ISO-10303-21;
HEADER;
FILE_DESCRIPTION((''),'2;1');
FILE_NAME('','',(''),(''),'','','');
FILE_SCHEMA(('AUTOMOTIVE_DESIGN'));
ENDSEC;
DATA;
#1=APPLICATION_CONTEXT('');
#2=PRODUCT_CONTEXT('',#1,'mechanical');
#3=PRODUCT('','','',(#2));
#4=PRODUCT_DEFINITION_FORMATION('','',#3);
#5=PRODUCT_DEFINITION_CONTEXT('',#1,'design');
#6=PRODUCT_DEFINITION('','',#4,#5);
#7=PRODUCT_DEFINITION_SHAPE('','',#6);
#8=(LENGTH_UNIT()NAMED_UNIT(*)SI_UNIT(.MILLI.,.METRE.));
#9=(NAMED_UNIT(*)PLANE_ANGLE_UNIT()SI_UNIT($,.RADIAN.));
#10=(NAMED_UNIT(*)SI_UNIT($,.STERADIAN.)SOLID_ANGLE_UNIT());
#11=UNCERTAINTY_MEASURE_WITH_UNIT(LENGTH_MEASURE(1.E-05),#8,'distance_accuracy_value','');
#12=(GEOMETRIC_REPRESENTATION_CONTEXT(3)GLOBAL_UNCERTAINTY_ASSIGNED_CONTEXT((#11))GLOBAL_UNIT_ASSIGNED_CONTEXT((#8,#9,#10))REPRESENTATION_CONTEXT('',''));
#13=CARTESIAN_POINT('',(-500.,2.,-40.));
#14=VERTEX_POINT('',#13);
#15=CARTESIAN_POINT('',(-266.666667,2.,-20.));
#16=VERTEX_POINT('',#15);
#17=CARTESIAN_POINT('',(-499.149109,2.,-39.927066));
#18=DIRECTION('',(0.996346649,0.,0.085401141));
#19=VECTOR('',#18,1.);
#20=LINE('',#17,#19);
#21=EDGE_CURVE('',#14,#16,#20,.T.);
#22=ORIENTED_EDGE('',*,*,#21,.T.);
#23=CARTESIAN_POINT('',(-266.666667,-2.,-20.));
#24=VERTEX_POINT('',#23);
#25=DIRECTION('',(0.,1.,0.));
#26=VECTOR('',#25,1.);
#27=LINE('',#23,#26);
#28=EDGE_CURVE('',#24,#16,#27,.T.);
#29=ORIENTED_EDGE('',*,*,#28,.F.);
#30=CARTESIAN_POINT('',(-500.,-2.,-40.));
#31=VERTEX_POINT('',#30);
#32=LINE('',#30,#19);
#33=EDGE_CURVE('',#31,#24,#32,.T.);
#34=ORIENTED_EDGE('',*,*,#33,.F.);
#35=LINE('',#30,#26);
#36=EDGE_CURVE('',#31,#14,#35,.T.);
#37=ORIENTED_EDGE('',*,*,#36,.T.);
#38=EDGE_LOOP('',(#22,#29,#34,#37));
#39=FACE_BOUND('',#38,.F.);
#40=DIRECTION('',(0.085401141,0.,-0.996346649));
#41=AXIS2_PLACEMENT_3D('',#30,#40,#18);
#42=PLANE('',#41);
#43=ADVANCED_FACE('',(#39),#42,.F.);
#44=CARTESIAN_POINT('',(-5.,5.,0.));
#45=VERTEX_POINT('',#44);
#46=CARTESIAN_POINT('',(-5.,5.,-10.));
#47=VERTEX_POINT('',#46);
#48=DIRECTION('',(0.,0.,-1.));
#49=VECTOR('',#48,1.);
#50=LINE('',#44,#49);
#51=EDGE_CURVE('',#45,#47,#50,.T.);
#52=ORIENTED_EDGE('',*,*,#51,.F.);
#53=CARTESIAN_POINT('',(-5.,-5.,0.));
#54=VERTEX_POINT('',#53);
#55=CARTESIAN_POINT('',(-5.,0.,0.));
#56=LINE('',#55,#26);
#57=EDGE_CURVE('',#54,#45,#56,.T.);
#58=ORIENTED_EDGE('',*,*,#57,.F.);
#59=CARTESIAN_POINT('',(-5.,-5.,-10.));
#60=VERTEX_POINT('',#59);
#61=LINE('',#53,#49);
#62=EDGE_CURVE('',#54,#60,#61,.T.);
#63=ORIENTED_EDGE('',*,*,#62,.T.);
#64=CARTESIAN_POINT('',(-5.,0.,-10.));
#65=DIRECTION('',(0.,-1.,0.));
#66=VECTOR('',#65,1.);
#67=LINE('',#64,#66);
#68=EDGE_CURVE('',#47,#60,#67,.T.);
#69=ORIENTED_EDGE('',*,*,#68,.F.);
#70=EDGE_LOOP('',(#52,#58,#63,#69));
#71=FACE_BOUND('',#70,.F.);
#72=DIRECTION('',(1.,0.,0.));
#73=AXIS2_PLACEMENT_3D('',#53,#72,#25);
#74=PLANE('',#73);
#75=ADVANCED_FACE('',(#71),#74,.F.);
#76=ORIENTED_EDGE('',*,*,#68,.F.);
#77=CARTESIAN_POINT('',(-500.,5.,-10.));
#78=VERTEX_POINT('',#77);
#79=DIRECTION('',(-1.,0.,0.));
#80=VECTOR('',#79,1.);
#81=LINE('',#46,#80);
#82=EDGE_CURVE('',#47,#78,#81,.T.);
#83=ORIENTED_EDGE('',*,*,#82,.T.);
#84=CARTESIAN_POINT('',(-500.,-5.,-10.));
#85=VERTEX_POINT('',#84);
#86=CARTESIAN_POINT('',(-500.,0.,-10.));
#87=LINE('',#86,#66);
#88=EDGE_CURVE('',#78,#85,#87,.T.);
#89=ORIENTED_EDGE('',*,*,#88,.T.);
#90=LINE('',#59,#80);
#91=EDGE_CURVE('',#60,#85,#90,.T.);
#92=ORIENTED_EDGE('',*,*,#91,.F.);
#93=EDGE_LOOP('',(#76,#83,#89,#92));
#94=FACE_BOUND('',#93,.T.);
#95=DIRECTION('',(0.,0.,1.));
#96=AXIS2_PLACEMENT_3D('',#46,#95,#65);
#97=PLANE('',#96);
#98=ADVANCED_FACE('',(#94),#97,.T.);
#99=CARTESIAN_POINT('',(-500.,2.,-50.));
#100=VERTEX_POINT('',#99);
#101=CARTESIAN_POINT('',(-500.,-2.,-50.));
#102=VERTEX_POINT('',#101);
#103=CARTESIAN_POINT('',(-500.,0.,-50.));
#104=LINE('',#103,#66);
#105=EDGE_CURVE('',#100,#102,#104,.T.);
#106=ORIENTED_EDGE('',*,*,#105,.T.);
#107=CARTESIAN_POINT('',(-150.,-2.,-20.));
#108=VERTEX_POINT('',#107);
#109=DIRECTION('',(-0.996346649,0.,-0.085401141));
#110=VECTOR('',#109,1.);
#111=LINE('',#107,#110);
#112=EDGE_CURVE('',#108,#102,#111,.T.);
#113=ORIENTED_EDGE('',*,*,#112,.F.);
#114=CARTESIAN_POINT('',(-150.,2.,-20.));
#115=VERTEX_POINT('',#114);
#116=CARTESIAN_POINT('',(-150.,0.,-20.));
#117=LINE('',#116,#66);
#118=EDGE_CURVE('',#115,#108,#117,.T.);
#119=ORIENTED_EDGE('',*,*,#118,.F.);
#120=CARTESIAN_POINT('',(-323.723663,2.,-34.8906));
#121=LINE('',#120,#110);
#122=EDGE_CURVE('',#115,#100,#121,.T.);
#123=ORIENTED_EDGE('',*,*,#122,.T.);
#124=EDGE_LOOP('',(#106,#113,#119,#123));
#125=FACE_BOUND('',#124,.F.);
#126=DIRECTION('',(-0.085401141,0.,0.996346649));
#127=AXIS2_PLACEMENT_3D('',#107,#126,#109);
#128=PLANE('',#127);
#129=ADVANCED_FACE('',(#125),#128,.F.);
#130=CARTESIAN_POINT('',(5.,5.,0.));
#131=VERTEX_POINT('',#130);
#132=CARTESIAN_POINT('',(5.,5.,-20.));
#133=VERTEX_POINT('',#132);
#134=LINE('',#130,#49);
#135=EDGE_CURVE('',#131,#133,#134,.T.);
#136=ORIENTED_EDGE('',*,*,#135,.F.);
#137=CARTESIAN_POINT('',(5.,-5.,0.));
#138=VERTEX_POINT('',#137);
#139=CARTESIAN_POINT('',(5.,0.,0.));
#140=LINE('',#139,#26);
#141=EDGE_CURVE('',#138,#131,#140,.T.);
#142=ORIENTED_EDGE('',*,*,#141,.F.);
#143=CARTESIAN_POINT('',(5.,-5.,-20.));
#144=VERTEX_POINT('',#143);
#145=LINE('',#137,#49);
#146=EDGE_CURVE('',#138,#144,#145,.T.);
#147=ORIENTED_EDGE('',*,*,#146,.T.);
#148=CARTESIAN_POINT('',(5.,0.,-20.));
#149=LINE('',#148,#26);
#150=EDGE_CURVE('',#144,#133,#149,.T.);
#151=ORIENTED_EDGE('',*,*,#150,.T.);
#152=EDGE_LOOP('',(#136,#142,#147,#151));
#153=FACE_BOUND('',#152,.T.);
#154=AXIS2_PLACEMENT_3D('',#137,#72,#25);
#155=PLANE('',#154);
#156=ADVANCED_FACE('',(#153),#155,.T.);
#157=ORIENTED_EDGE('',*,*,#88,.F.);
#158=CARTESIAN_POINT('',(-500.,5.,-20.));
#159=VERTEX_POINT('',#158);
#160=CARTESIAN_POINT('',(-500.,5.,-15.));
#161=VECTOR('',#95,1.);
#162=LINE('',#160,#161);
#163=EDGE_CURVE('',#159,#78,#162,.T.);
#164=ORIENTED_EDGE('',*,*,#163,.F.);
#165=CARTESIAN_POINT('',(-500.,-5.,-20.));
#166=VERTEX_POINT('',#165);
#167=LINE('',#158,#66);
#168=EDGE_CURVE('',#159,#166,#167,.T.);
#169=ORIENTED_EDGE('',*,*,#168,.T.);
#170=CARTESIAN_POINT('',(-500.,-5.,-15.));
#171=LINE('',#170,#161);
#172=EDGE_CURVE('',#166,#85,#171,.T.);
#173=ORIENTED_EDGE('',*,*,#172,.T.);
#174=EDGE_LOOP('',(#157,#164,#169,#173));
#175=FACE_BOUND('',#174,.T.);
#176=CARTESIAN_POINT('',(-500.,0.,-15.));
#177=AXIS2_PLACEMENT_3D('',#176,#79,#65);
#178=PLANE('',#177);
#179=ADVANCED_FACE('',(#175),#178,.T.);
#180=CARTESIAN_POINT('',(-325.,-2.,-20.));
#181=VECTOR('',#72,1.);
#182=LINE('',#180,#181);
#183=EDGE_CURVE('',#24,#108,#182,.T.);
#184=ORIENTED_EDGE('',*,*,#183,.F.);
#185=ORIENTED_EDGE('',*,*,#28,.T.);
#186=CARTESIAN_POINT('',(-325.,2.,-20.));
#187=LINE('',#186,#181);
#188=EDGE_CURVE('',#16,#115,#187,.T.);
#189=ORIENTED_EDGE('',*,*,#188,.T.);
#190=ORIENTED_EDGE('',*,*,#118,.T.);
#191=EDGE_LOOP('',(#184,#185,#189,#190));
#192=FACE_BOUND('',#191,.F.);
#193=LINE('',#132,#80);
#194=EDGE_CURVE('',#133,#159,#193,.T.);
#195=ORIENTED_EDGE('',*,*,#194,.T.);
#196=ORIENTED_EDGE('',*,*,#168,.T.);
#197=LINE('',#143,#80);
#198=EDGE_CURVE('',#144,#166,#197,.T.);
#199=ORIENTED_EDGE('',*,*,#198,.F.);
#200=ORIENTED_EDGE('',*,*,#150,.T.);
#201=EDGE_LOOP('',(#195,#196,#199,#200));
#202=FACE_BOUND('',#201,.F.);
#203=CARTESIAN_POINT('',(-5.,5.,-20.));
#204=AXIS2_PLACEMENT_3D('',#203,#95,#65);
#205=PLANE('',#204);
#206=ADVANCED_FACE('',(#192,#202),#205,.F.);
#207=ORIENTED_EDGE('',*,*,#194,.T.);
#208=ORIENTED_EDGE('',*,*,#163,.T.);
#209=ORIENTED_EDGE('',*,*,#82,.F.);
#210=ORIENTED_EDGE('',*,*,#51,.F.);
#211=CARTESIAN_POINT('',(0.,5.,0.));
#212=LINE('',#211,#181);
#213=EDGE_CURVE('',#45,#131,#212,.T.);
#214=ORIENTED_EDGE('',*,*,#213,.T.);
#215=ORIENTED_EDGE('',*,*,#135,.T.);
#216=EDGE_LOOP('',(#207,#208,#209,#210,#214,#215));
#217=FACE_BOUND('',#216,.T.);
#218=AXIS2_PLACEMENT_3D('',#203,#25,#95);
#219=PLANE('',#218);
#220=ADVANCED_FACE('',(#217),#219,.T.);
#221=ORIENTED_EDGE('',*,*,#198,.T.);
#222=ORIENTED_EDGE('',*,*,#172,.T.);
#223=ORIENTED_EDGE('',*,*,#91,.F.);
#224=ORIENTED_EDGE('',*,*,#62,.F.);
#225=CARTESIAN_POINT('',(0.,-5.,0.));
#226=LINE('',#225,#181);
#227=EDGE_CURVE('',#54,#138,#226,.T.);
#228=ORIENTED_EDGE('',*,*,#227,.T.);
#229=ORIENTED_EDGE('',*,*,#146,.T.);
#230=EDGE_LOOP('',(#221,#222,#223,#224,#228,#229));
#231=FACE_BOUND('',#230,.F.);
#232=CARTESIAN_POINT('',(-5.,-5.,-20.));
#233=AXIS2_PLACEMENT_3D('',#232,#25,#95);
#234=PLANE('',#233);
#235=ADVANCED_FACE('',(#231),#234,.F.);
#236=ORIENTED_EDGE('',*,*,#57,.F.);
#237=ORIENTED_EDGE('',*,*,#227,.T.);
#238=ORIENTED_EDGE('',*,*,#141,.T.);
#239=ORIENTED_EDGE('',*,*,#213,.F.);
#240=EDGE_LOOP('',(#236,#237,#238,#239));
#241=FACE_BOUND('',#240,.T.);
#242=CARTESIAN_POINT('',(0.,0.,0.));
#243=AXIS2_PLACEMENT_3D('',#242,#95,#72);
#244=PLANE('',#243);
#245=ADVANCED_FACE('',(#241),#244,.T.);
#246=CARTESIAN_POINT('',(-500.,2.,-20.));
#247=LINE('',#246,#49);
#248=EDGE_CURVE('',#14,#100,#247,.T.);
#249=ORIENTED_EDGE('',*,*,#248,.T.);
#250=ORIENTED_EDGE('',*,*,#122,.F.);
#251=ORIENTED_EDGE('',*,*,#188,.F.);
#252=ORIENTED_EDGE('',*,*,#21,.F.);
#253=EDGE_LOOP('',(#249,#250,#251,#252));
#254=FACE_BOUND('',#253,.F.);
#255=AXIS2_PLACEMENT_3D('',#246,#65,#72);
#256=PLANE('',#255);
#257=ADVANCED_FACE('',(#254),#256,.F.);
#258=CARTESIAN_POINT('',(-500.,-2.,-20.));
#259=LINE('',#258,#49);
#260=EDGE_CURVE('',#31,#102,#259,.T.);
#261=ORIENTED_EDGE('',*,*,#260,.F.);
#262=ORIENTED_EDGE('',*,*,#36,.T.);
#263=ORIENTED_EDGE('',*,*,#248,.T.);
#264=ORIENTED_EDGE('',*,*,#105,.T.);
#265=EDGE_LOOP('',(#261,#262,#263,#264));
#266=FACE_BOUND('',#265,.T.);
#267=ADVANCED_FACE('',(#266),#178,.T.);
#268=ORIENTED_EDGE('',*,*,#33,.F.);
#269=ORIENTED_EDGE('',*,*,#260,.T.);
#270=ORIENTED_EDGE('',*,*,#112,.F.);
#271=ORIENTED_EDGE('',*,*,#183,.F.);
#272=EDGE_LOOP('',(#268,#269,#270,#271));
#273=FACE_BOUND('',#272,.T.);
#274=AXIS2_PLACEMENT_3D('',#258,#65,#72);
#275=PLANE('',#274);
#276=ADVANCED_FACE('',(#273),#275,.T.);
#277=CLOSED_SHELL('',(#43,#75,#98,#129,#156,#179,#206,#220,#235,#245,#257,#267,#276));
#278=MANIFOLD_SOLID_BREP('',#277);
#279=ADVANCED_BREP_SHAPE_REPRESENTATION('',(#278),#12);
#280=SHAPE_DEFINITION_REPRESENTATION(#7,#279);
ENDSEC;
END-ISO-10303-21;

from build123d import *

# Parameters (mm, degrees)
F0_W     = 10
F0_H     = 10
F1_DEPTH = 20
F2_W     = 10
F2_H     = 10
F3_DEPTH = 495
F4_W     = 350
F4_H     = 4
F5_DEPTH = 30
F7_DEPTH = 7.001
F9_DEPTH = 7.001


with BuildPart() as f1:
    # F0 (on Top) → F1 (new body)
    with BuildSketch(Plane.XY):
        Rectangle(F0_W, F0_H)
    extrude(amount=-F1_DEPTH)

    # F2 (on face) → F3 (join)
    with BuildSketch(Plane(origin=(-5, 0, 0), x_dir=(0, -1, 0), z_dir=(-1, 0, 0))):
        with Locations((0, -15)):
            Rectangle(F2_W, F2_H)
    extrude(amount=F3_DEPTH)

    # F4 (on face) → F5 (join)
    with BuildSketch(Plane(origin=(0, 0, -20), x_dir=(1, 0, 0), z_dir=(0, 0, -1))):
        with Locations((-325, 0)):
            Rectangle(F4_W, F4_H)
    extrude(amount=F5_DEPTH)

    # F6 (on face) → F7 (cut, through all)
    with BuildSketch(Plane.XZ.offset(2)):
        Polygon((-150, -50), (-150, -20), (-500, -50), align=None)
    extrude(amount=-F7_DEPTH, mode=Mode.SUBTRACT)

    # F8 (on face) → F9 (cut, through all)
    with BuildSketch(Plane.XZ.offset(2)):
        Polygon((-500, -20), (-500, -40), (-266.666667, -20), align=None)
    extrude(amount=-F9_DEPTH, mode=Mode.SUBTRACT)


solid = f1.part
